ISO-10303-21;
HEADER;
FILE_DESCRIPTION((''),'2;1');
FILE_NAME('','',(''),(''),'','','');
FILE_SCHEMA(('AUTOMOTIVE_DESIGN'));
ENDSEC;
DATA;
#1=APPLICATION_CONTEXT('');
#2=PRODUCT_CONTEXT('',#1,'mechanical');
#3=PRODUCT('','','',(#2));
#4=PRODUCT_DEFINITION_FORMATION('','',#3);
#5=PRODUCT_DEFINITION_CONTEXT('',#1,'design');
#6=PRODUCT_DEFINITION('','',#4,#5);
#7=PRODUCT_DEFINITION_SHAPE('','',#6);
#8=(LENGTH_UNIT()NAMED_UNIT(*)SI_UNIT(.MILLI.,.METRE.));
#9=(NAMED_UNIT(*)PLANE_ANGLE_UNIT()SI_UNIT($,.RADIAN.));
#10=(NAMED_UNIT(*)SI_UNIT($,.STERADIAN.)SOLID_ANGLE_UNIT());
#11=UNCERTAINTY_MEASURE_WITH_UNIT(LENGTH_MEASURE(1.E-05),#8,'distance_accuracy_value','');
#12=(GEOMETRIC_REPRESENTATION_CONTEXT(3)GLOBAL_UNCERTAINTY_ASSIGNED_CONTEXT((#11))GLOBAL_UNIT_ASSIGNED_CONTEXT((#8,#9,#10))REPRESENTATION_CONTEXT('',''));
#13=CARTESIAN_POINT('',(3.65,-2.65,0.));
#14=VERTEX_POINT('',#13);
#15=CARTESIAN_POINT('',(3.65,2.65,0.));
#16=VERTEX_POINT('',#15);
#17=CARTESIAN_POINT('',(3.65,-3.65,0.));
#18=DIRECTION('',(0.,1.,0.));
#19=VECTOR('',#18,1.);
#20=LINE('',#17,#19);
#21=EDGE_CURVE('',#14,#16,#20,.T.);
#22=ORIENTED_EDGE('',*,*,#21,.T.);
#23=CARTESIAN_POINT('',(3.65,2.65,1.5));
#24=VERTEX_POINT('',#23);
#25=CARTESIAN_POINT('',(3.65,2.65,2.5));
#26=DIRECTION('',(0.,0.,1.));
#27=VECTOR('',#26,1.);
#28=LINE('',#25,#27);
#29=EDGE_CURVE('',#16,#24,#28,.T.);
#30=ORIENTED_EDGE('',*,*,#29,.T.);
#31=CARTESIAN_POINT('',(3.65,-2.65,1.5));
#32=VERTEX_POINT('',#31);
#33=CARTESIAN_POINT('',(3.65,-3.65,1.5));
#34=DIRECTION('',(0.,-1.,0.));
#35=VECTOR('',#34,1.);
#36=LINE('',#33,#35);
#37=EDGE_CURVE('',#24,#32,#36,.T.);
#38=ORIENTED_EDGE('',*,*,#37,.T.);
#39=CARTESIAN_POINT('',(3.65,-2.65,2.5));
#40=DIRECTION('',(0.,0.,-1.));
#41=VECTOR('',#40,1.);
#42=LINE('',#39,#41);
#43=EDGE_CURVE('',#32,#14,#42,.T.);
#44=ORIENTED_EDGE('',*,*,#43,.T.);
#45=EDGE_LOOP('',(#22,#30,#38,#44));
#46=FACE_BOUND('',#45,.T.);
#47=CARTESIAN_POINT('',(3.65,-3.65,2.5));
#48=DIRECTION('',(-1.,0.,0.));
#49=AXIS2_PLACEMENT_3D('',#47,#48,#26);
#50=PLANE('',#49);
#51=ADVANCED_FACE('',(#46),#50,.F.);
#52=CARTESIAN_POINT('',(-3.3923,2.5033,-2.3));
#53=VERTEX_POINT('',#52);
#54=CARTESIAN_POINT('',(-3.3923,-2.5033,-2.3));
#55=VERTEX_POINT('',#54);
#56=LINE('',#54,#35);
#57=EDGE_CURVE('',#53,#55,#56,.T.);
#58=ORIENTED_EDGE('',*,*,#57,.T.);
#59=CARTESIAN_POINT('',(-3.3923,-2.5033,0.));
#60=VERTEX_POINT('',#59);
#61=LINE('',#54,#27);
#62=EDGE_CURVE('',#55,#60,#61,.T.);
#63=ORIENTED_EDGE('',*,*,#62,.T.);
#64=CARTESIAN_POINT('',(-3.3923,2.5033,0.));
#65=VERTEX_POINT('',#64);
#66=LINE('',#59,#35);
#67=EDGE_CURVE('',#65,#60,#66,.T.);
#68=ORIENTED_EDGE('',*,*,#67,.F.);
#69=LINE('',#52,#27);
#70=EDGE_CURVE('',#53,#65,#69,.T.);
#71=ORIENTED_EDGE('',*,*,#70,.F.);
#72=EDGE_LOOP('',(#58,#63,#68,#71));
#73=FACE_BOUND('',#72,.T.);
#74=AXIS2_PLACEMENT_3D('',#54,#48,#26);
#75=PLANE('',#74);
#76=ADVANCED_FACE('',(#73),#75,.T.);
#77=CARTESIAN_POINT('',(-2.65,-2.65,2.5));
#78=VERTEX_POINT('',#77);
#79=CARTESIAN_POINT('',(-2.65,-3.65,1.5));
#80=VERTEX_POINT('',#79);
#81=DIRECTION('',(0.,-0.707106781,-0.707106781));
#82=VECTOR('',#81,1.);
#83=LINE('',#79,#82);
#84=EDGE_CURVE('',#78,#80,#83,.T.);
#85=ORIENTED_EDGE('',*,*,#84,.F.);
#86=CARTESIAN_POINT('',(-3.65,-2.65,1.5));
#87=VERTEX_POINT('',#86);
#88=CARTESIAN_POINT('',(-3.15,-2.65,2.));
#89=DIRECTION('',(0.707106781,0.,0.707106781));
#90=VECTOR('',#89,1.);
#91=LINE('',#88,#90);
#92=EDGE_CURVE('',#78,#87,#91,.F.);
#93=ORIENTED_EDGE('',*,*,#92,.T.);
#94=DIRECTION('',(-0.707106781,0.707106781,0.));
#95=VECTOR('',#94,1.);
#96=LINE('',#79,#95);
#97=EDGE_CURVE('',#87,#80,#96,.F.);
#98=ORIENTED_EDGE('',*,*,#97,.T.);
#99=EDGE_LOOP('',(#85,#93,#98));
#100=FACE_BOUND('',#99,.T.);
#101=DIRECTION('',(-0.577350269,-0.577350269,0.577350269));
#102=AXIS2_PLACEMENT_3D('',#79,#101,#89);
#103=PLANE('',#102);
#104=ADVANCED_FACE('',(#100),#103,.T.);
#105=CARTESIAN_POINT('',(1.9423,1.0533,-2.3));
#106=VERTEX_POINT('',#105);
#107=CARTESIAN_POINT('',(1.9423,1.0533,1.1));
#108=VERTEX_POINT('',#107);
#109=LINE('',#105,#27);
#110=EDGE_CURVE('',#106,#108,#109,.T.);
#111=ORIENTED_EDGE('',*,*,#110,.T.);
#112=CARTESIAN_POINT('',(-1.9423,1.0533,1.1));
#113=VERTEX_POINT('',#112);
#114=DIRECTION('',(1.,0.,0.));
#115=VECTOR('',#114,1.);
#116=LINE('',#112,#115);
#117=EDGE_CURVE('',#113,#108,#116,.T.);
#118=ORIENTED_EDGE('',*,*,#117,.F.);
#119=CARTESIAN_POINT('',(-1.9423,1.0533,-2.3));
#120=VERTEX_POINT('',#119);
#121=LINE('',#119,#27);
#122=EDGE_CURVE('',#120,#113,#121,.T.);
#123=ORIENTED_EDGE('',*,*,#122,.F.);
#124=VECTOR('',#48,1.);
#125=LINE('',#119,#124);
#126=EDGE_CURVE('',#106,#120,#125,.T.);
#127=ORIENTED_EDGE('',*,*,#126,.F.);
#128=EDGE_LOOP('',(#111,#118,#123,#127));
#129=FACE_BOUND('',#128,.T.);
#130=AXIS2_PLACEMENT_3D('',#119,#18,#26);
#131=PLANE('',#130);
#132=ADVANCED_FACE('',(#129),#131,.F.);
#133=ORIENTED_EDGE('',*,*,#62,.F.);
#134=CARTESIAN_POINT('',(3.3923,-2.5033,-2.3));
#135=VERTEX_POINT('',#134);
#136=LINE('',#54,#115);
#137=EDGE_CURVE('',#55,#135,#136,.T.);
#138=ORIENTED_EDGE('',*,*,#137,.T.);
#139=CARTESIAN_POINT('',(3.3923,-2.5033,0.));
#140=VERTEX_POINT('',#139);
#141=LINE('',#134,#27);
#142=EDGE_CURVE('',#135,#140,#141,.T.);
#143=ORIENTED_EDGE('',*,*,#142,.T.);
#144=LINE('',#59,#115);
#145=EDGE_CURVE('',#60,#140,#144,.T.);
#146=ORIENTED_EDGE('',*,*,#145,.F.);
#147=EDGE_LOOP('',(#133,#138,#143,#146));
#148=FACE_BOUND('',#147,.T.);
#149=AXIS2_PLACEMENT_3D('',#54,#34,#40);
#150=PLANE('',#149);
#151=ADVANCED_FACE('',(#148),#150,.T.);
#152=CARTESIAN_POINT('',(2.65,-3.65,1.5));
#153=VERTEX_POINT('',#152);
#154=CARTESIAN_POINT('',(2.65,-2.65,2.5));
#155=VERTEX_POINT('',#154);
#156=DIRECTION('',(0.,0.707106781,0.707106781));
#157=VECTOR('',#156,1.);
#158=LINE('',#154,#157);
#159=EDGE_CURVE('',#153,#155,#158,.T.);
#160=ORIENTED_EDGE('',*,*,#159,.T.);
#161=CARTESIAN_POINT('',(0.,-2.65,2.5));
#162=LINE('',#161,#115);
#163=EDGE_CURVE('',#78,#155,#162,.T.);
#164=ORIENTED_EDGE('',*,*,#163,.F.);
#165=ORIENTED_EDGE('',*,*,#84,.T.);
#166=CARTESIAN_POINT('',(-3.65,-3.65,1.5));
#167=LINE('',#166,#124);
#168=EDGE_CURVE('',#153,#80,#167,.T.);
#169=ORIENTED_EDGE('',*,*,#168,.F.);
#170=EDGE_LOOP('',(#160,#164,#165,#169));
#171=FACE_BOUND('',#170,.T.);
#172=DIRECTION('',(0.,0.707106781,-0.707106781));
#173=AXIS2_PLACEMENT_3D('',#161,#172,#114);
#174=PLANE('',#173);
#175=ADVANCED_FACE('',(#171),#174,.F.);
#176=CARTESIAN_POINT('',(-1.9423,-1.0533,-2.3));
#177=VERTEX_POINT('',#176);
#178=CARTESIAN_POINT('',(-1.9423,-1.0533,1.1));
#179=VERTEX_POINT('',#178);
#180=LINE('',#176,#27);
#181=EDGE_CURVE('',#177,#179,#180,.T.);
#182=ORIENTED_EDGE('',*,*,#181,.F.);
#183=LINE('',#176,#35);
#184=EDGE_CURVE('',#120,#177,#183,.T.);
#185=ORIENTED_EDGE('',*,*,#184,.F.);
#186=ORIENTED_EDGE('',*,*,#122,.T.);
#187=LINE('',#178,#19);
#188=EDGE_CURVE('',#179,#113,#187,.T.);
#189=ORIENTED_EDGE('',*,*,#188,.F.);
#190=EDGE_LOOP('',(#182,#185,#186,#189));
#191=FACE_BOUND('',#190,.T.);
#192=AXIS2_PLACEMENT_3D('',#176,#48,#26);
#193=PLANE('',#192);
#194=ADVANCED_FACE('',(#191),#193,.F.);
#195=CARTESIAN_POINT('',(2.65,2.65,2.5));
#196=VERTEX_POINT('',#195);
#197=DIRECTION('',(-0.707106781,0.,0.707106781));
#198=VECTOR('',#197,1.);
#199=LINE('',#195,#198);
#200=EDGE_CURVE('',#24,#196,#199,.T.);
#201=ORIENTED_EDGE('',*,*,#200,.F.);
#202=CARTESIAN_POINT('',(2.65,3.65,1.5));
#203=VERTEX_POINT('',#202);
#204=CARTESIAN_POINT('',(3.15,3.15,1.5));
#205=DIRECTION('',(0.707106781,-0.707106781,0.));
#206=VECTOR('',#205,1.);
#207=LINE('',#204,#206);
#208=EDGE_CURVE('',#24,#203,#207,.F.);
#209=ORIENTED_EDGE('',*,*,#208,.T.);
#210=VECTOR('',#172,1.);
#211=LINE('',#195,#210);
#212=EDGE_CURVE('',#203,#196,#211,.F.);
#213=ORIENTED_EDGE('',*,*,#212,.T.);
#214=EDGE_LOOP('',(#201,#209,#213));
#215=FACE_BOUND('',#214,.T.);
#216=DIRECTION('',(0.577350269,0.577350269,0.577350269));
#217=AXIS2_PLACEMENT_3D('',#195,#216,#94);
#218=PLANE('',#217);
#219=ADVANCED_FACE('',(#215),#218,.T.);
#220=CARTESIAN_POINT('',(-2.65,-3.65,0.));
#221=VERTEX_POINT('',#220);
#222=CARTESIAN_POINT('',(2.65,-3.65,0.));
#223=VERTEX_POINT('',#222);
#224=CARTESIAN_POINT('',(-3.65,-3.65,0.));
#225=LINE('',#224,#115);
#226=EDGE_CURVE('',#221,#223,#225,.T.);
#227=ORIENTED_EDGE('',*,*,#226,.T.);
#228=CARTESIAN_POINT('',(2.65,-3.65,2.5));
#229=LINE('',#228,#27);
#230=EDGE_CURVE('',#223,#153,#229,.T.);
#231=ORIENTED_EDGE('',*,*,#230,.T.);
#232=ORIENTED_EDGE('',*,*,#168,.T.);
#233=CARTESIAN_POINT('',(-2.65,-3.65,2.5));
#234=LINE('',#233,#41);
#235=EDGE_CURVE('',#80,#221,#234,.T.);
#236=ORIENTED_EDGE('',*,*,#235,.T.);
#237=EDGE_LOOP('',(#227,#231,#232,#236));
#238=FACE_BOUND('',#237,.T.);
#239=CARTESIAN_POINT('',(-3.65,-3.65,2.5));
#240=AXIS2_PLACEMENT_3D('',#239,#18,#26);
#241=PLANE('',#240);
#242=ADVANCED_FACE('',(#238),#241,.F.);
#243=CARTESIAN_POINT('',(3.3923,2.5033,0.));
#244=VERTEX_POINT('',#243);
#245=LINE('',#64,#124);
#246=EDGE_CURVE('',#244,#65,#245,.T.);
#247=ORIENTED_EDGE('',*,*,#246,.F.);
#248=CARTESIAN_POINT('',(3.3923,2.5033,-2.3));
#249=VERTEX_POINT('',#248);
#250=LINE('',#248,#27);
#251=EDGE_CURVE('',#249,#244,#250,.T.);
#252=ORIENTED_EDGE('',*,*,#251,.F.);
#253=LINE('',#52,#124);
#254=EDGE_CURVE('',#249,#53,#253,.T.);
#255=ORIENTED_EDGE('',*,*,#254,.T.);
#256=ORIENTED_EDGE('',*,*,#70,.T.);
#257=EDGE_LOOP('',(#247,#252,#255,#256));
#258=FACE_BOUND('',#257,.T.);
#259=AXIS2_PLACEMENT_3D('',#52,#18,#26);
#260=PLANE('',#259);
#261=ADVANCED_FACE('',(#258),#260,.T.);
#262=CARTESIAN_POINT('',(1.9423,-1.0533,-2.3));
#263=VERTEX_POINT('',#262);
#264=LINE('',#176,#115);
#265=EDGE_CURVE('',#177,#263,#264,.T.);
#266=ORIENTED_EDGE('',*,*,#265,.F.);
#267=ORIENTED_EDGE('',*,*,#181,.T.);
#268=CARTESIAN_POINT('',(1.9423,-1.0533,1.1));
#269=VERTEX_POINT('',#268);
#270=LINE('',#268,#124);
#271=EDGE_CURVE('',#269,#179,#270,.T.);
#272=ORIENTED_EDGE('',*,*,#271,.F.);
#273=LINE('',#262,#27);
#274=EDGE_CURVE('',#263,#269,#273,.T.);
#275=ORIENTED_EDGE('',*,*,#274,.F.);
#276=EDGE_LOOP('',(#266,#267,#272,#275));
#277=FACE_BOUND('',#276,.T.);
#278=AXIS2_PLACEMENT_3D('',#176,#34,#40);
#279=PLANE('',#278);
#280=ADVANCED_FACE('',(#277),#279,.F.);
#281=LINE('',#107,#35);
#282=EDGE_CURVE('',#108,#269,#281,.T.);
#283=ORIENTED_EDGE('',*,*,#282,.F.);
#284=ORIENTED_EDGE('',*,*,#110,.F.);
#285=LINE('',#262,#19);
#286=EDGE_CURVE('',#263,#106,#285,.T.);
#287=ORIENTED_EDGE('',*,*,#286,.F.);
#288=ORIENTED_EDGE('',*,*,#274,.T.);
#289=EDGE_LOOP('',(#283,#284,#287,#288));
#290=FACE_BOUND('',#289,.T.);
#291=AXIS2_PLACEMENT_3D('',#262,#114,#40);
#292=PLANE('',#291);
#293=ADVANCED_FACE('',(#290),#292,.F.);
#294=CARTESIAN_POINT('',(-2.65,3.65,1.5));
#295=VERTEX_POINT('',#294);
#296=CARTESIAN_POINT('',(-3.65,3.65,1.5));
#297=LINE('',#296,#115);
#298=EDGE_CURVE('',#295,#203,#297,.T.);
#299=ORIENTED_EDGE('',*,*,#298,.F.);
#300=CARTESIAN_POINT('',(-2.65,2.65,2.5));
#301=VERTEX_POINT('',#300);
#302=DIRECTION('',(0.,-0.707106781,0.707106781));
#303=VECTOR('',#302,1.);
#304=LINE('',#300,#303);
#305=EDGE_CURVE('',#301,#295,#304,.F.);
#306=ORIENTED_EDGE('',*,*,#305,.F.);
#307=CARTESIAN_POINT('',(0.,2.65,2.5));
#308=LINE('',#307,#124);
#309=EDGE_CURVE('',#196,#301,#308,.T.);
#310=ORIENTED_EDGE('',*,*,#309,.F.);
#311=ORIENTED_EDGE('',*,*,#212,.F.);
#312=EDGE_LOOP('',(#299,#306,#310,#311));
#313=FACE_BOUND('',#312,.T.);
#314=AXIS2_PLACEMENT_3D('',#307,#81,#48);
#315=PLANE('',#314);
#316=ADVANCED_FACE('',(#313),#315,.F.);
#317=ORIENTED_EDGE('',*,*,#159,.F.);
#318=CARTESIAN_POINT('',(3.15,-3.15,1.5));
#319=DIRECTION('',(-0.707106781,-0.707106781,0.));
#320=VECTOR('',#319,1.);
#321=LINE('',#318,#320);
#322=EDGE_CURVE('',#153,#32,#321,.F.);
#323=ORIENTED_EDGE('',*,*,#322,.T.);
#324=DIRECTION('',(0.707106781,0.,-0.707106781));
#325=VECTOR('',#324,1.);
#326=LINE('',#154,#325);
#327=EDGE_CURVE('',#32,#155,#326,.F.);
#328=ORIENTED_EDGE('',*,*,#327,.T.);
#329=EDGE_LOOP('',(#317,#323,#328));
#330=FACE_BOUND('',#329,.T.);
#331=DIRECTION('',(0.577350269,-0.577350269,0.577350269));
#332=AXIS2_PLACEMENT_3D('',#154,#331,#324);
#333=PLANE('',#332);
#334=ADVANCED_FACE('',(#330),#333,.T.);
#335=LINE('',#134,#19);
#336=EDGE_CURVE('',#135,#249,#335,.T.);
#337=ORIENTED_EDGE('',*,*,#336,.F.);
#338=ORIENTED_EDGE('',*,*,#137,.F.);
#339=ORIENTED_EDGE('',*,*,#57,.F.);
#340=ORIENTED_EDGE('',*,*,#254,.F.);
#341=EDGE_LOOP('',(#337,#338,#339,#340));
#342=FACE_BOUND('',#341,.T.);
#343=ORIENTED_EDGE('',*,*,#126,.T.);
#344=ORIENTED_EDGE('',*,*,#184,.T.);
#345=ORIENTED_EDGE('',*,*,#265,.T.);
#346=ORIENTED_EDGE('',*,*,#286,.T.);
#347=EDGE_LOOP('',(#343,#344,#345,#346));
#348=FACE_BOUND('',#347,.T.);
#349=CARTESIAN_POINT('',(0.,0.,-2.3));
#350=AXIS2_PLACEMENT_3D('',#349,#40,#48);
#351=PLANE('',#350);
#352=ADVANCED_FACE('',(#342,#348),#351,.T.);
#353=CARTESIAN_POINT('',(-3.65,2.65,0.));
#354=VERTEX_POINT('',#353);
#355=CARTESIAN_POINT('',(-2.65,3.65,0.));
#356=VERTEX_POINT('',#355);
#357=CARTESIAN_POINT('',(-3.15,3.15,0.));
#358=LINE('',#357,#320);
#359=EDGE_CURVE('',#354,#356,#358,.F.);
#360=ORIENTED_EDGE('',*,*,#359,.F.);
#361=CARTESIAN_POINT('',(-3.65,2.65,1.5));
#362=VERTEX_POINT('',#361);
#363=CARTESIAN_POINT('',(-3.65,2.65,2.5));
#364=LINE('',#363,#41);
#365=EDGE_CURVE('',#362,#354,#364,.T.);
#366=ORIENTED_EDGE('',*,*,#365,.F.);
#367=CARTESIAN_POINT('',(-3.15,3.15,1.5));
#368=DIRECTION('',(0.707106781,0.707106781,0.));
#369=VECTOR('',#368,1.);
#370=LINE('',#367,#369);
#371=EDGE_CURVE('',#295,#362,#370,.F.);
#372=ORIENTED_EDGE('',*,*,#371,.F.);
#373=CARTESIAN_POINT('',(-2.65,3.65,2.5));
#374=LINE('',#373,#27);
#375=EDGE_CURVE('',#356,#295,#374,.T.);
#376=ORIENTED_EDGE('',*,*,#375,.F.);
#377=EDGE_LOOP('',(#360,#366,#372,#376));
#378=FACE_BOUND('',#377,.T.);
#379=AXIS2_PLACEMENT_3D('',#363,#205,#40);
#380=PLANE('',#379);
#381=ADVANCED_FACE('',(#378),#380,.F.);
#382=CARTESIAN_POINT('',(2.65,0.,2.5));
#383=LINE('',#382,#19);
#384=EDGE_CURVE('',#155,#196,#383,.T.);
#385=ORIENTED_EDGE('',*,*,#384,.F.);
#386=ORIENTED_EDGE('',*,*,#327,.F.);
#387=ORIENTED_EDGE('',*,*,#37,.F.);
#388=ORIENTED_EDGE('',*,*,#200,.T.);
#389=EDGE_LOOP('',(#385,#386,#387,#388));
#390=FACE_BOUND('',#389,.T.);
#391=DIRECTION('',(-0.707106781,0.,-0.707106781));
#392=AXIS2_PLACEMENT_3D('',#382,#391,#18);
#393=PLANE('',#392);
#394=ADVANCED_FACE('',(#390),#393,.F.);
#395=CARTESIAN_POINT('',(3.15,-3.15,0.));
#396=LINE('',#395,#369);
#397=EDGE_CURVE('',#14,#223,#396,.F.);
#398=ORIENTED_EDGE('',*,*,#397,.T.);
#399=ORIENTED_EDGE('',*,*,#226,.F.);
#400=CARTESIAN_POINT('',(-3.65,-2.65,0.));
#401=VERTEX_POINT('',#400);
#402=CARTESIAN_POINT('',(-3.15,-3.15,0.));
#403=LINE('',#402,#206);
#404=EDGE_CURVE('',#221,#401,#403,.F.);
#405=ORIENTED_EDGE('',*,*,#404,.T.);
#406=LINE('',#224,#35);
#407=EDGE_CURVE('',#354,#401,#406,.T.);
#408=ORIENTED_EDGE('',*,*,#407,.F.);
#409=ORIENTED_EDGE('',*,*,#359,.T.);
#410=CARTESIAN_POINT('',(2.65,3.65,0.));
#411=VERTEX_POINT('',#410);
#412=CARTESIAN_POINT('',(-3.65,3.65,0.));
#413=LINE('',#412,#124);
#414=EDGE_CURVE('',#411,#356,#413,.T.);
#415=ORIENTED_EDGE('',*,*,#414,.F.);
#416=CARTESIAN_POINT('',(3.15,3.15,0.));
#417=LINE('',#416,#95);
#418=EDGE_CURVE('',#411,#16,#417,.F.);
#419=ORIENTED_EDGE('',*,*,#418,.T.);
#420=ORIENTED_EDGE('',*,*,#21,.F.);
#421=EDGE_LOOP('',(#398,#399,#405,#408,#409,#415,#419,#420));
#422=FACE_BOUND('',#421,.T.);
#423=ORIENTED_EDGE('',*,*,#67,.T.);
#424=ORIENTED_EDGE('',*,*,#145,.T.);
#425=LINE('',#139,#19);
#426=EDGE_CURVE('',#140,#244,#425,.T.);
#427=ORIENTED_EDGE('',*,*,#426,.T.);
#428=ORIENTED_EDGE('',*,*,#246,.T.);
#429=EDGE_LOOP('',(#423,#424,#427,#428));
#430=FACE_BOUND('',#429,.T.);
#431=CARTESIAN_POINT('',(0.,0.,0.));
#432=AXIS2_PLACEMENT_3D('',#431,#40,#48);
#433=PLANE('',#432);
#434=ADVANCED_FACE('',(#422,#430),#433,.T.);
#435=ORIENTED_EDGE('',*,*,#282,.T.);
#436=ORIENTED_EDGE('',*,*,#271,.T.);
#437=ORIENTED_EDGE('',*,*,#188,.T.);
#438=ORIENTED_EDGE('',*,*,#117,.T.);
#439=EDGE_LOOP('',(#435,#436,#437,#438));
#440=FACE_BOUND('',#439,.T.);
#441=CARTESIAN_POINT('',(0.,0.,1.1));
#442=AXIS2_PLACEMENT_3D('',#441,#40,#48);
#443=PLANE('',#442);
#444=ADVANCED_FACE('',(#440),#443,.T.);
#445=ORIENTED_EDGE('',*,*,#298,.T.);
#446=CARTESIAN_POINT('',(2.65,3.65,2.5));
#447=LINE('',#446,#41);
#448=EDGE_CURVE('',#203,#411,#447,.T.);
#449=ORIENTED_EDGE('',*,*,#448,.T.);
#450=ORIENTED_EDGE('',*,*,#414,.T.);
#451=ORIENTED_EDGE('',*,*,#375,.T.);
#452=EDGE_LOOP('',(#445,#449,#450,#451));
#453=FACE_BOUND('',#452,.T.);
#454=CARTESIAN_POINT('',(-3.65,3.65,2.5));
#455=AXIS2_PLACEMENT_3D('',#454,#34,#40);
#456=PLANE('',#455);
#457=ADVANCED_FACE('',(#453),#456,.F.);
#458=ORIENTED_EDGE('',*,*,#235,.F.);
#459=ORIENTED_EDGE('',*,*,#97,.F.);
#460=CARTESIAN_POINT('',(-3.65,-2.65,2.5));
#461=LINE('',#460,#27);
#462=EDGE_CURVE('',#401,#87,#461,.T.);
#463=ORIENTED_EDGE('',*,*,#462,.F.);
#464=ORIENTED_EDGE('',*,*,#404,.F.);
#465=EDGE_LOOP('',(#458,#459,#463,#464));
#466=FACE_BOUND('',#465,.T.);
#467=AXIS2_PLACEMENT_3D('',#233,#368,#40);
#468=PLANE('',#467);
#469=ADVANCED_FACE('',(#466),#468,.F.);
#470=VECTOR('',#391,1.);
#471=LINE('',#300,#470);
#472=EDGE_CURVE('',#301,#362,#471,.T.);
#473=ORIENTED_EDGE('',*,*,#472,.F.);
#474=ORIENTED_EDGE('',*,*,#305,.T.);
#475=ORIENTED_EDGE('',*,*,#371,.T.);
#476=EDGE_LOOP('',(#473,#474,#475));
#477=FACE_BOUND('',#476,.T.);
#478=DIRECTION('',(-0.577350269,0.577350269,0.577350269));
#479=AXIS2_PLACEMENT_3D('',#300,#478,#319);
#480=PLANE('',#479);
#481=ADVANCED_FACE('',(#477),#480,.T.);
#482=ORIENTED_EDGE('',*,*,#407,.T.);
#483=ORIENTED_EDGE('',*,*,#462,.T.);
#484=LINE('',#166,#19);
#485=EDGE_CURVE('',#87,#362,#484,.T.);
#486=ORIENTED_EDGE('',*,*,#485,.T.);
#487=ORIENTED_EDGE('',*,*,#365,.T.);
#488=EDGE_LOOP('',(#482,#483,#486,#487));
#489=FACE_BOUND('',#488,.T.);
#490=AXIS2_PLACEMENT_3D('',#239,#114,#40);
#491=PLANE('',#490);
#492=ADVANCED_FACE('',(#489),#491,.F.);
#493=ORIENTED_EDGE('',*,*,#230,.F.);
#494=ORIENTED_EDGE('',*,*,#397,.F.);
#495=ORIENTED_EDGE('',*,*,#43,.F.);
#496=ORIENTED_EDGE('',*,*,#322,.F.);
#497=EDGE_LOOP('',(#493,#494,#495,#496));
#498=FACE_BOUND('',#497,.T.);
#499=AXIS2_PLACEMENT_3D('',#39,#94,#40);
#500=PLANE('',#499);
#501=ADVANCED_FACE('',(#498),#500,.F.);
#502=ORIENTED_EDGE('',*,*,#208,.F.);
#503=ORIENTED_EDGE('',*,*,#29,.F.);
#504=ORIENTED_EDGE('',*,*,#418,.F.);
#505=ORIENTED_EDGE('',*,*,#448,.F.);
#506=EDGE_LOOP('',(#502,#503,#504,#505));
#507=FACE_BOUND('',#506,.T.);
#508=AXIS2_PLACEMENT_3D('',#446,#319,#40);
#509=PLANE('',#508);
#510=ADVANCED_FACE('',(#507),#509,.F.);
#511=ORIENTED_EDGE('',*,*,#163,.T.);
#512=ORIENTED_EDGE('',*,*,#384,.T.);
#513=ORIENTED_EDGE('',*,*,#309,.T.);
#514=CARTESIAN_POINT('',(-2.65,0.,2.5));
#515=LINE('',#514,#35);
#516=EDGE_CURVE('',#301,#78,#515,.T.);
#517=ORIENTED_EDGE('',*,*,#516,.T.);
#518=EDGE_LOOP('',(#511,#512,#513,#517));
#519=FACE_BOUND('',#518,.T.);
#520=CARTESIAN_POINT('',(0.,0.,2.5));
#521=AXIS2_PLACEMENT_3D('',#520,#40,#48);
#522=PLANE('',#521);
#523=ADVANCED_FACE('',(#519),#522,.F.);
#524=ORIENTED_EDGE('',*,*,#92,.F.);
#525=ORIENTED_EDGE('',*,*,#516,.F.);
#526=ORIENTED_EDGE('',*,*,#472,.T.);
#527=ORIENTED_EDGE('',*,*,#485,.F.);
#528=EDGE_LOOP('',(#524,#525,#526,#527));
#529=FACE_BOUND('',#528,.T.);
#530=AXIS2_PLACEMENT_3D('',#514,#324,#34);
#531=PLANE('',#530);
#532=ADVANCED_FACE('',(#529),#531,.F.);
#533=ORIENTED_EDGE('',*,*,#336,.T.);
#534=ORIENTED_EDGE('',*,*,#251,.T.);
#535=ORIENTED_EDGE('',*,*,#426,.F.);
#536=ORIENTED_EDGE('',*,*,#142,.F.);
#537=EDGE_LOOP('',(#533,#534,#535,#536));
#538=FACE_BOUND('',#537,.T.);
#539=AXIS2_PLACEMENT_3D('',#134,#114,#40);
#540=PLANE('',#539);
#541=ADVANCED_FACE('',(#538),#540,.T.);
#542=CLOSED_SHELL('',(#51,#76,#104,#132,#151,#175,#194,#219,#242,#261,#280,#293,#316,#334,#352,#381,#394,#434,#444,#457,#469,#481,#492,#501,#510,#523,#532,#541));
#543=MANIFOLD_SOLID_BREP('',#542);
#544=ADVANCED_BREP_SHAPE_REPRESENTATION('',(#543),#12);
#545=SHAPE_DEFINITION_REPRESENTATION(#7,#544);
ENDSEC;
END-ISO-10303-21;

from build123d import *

# Parameters (mm, degrees)
SKETCH1_W           = 6.7846
SKETCH1_H           = 5.0066
SKETCH1_W_2         = 3.8846
SKETCH1_H_2         = 2.1066
BOSS_EXTRUDE1_DEPTH = 2.3
SKETCH2_W           = 7.3
SKETCH2_H           = 7.3
BOSS_EXTRUDE2_DEPTH = 2.5
CHAMFER1_SIZE       = 1
SKETCH3_W           = 3.8846
SKETCH3_H           = 2.1066
CUT_EXTRUDE1_DEPTH  = 1.1


with BuildPart() as part:
    # Sketch1 → Boss-Extrude1 (new body)
    with BuildSketch(Plane.XY):
        Rectangle(SKETCH1_W, SKETCH1_H)
        Rectangle(SKETCH1_W_2, SKETCH1_H_2, mode=Mode.SUBTRACT)
    extrude(amount=-BOSS_EXTRUDE1_DEPTH)

    # Sketch2 → Boss-Extrude2 (add)
    with BuildSketch(Plane.XY):
        Rectangle(SKETCH2_W, SKETCH2_H)
    extrude(amount=BOSS_EXTRUDE2_DEPTH)

    # Chamfer1
    chamfer1_edges = [part.edges().sort_by_distance(p)[0] for p in [
        (3.65, -3.65, 1.25),
        (3.65, 3.65, 1.25),
        (-3.65, 3.65, 1.25),
        (-3.65, -3.65, 1.25),
        (3.65, 0, 2.5),
        (0, 3.65, 2.5),
        (-3.65, 0, 2.5),
        (0, -3.65, 2.5),
    ]]
    chamfer(chamfer1_edges, length=CHAMFER1_SIZE)

    # Sketch3 → Cut-Extrude1 (cut)
    with BuildSketch(Plane(origin=(0, 0, 0), x_dir=(-1, 0, 0), z_dir=(0, 0, -1))):
        Rectangle(SKETCH3_W, SKETCH3_H)
    extrude(amount=-CUT_EXTRUDE1_DEPTH, mode=Mode.SUBTRACT)


solid = part.part
